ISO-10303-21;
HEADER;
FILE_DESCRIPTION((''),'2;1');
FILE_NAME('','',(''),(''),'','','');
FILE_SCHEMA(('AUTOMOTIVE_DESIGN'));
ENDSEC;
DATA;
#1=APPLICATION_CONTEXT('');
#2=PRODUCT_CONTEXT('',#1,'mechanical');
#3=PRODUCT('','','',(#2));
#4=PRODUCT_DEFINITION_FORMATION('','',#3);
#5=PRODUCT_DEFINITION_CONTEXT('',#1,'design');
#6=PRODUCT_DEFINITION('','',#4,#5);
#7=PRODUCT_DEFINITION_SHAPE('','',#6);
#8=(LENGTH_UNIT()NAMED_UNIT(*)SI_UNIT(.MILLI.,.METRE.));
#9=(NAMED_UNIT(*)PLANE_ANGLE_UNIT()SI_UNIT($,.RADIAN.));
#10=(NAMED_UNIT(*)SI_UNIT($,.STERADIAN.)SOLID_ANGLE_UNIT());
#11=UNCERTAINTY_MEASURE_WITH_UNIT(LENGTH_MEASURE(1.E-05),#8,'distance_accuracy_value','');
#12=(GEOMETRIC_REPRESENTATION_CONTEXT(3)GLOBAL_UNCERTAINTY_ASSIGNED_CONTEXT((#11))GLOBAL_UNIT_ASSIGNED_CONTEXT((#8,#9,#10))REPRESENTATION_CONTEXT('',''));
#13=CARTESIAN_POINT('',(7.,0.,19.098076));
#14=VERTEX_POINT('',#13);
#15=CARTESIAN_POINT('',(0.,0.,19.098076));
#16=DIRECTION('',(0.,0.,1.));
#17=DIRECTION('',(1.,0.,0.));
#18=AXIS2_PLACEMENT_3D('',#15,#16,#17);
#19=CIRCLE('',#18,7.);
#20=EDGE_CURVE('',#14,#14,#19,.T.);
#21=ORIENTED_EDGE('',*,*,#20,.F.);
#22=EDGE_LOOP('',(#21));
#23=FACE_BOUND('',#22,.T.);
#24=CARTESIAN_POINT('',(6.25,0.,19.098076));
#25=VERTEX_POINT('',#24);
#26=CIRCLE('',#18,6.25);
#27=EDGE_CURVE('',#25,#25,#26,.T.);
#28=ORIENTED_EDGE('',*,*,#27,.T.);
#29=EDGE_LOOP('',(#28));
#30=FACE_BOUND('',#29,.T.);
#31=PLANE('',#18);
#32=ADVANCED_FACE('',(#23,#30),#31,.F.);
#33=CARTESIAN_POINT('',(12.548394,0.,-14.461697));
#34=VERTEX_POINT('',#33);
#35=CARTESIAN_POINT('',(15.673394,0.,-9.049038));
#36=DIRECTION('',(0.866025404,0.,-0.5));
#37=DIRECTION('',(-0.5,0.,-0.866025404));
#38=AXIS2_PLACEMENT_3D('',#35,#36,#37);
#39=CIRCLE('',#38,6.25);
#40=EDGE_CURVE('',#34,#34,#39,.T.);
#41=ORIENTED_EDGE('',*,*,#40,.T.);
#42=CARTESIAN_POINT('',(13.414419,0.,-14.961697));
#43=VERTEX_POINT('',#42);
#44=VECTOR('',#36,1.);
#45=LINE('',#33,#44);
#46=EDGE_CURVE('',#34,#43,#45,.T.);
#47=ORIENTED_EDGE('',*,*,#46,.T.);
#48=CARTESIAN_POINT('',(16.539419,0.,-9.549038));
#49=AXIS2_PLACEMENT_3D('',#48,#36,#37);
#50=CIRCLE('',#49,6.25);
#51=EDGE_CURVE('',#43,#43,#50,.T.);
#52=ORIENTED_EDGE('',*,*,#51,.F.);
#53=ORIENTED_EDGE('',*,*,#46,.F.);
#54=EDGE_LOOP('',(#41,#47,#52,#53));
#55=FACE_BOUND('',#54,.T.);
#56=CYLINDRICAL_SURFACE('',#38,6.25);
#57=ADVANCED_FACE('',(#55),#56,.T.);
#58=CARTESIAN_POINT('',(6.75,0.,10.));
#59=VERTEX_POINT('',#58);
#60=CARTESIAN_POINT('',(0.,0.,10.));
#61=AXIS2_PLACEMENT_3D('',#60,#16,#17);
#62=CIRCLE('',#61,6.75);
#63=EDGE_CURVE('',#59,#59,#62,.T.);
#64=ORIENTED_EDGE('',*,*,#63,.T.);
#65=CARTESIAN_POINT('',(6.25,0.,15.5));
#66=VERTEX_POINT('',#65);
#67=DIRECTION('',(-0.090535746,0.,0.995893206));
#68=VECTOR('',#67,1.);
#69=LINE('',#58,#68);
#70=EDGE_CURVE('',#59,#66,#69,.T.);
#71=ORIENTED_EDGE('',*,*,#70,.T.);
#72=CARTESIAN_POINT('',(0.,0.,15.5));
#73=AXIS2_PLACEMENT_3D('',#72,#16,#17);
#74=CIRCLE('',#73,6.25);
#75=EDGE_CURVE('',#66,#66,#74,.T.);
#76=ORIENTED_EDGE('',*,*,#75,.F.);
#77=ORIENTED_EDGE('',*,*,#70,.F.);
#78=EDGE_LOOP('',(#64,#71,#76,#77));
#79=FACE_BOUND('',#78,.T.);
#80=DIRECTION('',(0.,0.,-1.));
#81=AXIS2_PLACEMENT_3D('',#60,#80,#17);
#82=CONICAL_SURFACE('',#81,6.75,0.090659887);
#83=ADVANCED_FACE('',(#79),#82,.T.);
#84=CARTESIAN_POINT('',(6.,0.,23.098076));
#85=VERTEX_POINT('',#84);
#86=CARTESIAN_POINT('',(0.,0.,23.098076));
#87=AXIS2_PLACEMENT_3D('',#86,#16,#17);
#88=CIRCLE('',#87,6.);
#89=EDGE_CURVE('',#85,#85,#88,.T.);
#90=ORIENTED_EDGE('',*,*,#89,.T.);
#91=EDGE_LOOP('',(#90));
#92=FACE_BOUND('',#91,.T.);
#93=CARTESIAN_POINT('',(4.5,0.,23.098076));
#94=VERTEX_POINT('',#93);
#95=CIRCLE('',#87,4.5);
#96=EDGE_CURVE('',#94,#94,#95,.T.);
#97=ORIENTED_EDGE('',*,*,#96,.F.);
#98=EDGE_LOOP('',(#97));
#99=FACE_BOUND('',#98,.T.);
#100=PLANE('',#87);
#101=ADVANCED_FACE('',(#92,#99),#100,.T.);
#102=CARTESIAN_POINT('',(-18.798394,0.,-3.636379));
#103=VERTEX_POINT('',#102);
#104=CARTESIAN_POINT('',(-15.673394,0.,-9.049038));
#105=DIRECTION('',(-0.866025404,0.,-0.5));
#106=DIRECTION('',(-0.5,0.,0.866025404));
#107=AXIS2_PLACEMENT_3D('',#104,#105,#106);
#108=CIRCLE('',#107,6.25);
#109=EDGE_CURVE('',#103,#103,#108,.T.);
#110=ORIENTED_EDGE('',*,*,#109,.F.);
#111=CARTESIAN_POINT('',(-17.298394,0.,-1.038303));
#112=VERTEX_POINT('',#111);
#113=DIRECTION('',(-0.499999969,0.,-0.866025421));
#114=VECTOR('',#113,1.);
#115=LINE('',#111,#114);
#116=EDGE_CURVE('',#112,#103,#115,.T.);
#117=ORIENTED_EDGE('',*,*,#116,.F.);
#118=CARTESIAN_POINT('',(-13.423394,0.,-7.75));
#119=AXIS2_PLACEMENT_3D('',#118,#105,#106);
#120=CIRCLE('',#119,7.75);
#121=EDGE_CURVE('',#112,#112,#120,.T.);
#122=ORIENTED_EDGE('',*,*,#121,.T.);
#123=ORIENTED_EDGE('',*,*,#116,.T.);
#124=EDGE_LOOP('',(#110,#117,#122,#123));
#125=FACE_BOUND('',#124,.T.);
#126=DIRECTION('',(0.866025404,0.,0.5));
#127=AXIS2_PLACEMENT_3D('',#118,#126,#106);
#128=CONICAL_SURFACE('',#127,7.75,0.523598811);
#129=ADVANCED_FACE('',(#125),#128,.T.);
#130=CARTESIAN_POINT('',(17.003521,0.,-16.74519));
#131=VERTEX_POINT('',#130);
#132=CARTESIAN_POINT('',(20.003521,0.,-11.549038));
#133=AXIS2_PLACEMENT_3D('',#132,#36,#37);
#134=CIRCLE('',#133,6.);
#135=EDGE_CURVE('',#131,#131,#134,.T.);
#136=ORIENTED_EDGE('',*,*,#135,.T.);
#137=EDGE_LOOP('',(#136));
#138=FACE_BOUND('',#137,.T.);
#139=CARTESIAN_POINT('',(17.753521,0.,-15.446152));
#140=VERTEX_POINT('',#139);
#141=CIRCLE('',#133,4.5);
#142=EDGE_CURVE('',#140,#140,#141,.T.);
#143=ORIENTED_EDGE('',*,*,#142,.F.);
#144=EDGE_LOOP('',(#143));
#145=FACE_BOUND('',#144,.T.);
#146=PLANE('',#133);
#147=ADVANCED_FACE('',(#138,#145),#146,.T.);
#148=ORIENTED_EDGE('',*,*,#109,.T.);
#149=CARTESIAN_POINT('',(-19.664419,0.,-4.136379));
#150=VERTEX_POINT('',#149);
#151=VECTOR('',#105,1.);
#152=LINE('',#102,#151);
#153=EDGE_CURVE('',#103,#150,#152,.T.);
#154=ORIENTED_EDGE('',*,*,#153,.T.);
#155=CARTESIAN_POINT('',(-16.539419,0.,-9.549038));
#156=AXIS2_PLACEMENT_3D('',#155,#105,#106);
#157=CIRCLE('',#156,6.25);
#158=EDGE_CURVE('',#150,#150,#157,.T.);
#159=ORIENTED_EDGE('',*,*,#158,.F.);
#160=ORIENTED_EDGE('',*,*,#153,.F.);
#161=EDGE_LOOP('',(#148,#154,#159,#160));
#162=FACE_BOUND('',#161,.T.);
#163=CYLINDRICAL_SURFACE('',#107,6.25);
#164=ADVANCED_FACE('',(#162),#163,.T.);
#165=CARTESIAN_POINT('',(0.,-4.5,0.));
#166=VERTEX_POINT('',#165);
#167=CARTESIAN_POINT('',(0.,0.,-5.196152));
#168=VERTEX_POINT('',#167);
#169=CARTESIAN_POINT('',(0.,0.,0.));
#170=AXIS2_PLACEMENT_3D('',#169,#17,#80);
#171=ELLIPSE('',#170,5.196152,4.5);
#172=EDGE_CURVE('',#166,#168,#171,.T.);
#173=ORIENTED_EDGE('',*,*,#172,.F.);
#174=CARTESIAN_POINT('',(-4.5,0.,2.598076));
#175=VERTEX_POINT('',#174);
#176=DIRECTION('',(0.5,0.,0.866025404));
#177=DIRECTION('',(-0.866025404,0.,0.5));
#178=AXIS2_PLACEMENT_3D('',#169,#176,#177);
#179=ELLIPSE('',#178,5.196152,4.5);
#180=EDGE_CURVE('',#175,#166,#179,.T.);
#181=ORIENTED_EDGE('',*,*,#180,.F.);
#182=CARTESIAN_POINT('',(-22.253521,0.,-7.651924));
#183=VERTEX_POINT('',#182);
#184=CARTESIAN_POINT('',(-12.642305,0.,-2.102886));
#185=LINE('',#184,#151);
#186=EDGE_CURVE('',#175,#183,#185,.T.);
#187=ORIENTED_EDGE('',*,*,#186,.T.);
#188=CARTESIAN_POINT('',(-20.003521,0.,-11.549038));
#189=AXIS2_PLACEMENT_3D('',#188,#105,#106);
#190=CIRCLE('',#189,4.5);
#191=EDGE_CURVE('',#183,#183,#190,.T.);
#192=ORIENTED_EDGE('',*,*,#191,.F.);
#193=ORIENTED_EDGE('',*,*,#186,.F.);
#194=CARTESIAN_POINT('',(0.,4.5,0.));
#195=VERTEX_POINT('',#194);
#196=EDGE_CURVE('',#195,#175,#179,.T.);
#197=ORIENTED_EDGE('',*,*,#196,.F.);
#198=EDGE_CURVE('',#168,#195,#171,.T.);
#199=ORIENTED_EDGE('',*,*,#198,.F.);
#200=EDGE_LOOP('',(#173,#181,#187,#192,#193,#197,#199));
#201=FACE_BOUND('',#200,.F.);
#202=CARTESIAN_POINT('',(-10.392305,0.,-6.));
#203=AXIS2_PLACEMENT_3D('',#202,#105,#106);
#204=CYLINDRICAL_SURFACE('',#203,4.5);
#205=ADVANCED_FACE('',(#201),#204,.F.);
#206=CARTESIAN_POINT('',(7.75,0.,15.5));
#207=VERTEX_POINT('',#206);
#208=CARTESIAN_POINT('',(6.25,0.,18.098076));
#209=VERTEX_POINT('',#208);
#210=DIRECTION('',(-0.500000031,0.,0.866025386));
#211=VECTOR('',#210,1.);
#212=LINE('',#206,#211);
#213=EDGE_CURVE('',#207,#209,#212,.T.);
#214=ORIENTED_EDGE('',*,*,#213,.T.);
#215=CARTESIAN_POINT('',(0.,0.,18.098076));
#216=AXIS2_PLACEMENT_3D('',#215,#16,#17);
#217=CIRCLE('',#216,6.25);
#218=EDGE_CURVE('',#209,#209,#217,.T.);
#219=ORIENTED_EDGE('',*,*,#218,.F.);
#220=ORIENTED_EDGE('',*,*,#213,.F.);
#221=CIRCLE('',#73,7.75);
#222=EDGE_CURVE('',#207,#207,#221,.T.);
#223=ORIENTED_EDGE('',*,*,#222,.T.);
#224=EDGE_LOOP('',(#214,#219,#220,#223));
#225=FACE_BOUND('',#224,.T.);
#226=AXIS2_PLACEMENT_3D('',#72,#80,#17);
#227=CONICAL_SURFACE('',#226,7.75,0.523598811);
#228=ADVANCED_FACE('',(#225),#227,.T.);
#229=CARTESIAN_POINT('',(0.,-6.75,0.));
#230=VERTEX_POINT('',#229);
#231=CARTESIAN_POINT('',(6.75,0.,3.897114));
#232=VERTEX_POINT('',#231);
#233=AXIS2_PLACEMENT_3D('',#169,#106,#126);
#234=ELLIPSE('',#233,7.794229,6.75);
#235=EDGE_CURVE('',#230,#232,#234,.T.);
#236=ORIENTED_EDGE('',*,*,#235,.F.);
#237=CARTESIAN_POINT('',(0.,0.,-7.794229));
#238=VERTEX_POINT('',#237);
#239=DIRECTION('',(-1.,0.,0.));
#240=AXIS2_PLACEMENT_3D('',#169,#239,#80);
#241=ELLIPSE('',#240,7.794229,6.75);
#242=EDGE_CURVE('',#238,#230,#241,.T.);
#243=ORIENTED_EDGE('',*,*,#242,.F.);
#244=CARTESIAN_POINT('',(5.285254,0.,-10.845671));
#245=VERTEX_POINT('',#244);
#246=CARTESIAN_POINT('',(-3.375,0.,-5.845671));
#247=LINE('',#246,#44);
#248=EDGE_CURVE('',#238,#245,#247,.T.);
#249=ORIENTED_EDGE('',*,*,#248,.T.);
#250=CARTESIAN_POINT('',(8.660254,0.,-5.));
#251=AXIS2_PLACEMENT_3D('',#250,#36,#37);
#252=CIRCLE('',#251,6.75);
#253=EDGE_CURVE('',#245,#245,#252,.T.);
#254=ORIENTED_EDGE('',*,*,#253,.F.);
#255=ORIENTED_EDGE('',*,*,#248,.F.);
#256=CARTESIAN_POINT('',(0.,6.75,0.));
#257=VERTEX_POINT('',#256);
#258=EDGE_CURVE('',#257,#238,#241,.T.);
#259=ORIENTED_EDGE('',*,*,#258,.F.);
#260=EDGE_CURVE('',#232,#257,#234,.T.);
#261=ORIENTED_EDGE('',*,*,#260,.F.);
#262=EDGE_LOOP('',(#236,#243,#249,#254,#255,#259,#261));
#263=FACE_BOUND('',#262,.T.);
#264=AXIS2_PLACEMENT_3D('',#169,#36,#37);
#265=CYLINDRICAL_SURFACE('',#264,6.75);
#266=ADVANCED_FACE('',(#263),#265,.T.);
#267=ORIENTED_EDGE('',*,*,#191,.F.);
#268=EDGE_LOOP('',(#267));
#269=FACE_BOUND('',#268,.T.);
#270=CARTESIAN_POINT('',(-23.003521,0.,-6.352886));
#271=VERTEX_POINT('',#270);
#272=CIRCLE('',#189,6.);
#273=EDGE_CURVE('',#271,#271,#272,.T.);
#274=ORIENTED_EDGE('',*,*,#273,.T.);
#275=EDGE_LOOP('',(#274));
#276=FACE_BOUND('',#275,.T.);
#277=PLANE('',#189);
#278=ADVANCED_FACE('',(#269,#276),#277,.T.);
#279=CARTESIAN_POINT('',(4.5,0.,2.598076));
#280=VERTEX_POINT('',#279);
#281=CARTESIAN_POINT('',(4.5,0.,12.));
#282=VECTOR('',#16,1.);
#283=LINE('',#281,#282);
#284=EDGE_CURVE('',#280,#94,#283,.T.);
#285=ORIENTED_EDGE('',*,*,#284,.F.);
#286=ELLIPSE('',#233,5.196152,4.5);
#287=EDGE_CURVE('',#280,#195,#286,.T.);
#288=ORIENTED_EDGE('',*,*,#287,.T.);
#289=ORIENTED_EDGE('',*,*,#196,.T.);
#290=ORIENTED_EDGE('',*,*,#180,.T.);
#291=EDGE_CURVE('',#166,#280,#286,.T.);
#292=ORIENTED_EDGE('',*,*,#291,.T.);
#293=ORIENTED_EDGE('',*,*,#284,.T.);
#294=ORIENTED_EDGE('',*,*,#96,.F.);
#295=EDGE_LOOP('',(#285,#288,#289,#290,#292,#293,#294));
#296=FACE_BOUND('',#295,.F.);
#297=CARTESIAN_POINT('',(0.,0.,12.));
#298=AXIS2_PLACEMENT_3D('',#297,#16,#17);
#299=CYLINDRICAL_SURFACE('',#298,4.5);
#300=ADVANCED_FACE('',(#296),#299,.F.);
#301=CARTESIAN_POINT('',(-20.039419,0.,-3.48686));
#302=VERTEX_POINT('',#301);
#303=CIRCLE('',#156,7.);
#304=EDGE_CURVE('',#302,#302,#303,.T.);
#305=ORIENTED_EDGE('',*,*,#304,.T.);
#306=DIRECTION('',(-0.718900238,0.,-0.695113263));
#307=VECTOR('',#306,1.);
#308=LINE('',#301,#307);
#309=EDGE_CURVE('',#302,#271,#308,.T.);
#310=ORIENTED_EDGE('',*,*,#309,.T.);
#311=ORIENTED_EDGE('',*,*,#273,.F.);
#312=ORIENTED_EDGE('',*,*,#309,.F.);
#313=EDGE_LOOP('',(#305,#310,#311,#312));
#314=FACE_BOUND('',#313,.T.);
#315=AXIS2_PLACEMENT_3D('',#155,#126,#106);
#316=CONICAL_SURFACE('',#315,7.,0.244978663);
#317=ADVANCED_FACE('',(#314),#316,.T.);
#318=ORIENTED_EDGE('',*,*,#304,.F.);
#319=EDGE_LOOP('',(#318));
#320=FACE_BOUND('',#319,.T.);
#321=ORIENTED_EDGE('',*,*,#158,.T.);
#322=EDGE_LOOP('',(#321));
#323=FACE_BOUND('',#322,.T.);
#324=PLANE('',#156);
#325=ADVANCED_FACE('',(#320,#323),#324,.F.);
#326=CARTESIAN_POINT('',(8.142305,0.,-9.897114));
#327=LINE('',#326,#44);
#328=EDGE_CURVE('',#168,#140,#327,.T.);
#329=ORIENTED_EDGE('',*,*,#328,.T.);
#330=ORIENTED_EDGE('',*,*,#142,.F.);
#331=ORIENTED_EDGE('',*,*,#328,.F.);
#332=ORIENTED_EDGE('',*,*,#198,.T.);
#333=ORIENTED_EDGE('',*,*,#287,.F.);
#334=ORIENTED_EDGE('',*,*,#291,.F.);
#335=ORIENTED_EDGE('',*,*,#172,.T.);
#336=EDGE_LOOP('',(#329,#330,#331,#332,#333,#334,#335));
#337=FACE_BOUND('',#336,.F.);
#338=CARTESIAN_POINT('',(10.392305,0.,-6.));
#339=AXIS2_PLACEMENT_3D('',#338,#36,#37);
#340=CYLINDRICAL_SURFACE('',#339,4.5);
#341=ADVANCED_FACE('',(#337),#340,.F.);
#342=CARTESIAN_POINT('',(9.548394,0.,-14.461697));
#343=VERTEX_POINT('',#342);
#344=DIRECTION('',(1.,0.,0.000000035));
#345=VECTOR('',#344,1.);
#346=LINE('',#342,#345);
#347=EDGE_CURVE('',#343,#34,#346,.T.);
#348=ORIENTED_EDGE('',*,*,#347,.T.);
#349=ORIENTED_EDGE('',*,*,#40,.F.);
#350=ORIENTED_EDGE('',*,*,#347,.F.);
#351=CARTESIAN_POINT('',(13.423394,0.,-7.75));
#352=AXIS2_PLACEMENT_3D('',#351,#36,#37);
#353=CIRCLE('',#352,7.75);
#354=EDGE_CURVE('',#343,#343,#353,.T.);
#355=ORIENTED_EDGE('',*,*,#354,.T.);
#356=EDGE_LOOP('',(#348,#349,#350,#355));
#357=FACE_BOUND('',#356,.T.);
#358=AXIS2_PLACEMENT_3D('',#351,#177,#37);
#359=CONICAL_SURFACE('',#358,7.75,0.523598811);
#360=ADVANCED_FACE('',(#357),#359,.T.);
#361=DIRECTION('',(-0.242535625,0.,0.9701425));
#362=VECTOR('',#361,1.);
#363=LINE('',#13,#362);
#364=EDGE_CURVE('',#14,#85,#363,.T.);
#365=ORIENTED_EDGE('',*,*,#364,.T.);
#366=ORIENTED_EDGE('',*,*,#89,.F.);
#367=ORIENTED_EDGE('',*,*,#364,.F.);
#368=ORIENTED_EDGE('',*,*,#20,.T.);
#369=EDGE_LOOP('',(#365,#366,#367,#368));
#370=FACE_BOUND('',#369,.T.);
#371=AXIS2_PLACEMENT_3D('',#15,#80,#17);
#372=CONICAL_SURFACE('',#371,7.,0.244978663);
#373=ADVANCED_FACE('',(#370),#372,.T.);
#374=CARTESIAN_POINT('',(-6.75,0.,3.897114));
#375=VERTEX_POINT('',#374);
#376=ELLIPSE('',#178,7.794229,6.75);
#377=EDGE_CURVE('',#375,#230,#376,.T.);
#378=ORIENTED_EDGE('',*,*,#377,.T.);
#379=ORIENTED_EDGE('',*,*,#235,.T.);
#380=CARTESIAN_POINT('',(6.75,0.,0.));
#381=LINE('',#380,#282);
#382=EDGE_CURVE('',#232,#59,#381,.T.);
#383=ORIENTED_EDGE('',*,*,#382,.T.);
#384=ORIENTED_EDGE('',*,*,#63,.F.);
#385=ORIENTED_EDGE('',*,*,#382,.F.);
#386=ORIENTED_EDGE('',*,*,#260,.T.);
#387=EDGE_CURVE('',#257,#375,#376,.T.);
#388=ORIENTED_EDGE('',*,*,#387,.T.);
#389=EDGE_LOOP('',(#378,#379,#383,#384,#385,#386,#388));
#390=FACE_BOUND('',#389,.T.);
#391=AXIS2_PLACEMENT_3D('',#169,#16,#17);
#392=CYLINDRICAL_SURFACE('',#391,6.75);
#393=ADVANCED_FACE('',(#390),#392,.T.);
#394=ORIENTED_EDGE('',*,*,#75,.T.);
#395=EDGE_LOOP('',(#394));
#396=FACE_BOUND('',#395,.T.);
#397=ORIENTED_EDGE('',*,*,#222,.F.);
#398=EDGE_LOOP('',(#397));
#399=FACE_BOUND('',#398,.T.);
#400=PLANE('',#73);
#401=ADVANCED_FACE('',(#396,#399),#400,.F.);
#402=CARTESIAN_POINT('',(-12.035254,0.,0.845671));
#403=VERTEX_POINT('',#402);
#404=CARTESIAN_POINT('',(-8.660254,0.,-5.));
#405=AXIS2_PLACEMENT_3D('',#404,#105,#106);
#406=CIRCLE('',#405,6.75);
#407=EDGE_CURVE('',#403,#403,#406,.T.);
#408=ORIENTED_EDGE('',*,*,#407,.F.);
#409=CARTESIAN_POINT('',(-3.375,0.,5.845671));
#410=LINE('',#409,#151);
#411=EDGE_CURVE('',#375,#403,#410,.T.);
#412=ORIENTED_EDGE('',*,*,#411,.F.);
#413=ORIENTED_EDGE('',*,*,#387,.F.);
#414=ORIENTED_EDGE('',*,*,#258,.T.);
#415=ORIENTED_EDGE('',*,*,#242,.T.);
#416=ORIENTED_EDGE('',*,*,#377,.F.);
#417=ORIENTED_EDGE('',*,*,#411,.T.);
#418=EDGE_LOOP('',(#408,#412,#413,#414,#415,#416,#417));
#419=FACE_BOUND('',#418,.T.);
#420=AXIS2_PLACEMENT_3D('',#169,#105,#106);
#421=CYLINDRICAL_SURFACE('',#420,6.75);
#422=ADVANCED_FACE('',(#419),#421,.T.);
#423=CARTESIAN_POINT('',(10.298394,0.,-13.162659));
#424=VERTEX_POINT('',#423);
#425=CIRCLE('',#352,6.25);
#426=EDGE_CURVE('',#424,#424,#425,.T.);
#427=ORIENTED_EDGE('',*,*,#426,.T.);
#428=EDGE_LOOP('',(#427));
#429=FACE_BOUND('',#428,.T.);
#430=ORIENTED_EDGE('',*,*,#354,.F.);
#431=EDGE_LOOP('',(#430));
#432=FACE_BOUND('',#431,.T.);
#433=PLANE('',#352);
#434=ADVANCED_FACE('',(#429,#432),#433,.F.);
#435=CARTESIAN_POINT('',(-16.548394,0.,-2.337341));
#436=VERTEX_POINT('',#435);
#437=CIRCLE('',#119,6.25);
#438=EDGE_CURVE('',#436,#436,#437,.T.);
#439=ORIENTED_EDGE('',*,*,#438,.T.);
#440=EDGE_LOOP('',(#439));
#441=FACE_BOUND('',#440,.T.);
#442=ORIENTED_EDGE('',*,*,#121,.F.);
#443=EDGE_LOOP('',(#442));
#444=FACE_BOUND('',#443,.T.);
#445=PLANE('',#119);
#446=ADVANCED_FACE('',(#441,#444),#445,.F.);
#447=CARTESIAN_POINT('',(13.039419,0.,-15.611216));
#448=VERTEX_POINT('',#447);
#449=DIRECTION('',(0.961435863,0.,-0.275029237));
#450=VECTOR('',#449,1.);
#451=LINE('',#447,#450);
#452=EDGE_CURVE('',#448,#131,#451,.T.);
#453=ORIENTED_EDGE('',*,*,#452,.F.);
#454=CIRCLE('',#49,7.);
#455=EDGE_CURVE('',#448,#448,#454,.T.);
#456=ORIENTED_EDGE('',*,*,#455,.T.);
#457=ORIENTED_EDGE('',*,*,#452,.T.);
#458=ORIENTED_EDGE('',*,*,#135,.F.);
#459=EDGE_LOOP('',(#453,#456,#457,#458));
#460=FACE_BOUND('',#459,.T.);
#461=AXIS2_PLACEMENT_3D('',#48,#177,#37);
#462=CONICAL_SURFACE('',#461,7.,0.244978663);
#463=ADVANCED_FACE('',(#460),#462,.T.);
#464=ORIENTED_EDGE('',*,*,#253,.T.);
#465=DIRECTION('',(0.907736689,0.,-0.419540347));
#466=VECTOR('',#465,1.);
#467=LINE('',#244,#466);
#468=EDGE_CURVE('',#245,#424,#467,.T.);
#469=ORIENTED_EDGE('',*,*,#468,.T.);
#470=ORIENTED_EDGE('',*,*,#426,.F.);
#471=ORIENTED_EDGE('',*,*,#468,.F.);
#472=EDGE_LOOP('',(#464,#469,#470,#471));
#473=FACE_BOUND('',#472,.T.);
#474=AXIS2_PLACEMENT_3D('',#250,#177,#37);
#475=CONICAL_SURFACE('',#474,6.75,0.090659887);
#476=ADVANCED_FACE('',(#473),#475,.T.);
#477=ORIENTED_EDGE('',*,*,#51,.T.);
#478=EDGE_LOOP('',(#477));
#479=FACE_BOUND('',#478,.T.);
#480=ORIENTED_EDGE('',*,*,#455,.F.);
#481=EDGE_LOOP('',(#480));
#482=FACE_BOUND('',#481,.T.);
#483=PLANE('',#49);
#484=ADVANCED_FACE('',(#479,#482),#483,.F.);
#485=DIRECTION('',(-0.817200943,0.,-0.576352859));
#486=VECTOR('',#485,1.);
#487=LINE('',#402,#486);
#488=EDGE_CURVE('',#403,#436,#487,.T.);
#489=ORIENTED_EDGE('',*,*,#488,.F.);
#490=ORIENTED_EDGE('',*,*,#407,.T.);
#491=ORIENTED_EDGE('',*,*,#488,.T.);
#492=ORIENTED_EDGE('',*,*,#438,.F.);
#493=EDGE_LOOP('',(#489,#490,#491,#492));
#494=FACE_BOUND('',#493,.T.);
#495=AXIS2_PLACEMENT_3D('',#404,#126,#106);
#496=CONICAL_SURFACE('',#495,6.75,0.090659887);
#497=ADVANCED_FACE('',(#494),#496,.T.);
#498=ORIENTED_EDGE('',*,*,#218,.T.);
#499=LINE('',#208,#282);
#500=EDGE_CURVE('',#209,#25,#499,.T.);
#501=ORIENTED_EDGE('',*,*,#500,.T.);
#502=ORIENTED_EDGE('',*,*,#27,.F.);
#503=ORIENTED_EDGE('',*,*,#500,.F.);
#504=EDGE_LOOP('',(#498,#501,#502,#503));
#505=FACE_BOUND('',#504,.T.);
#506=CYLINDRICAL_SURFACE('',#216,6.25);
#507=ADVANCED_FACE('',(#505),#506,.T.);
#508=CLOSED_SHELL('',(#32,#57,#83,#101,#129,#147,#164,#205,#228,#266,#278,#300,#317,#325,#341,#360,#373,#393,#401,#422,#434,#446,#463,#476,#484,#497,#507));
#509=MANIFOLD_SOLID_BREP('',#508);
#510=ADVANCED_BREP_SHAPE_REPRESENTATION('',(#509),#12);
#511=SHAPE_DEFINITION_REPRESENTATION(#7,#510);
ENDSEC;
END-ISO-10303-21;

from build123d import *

# Parameters (mm, degrees)
SKETCH001_W           = 4.5
SKETCH001_H           = 24
POLARPATTERN001_COUNT = 3
POLARPATTERN_COUNT    = 3


with BuildPart() as body001:
    # Sketch001 → Revolution001 (revolve)
    with BuildSketch(Plane.XZ):
        with Locations((2.25, 12)):
            Rectangle(SKETCH001_W, SKETCH001_H)
    revolution001 = revolve(axis=Axis((0, 0, 0), (0, 0, 1)))

    # PolarPattern001: Revolution001 ×3 about axis
    polarpattern001_axis = Axis((0, 0, 0), (0, 1, 0))
    for i in range(1, POLARPATTERN001_COUNT):
        add(revolution001.rotate(polarpattern001_axis, i * 360 / POLARPATTERN001_COUNT))


with BuildPart() as cut:
    # Sketch → Revolution (revolve)
    with BuildSketch(Plane.XZ):
        Polygon((6.75, 0), (6.75, 10), (6.25, 15.5), (7.75, 15.5), (6.25, 18.098076), (6.25, 19.098076), (7, 19.098076), (6, 23.098076), (0, 23.098076), (0, 0), align=None)
    revolution = revolve(axis=Axis((0, 0, 0), (0, 0, 1)))

    # PolarPattern: Revolution ×3 about axis
    polarpattern_axis = Axis((0, 0, 0), (0, -1, 0))
    for i in range(1, POLARPATTERN_COUNT):
        add(revolution.rotate(polarpattern_axis, i * 360 / POLARPATTERN_COUNT))

    # Cut: cut Body001
    add(body001.part, mode=Mode.SUBTRACT)


solid = cut.part
